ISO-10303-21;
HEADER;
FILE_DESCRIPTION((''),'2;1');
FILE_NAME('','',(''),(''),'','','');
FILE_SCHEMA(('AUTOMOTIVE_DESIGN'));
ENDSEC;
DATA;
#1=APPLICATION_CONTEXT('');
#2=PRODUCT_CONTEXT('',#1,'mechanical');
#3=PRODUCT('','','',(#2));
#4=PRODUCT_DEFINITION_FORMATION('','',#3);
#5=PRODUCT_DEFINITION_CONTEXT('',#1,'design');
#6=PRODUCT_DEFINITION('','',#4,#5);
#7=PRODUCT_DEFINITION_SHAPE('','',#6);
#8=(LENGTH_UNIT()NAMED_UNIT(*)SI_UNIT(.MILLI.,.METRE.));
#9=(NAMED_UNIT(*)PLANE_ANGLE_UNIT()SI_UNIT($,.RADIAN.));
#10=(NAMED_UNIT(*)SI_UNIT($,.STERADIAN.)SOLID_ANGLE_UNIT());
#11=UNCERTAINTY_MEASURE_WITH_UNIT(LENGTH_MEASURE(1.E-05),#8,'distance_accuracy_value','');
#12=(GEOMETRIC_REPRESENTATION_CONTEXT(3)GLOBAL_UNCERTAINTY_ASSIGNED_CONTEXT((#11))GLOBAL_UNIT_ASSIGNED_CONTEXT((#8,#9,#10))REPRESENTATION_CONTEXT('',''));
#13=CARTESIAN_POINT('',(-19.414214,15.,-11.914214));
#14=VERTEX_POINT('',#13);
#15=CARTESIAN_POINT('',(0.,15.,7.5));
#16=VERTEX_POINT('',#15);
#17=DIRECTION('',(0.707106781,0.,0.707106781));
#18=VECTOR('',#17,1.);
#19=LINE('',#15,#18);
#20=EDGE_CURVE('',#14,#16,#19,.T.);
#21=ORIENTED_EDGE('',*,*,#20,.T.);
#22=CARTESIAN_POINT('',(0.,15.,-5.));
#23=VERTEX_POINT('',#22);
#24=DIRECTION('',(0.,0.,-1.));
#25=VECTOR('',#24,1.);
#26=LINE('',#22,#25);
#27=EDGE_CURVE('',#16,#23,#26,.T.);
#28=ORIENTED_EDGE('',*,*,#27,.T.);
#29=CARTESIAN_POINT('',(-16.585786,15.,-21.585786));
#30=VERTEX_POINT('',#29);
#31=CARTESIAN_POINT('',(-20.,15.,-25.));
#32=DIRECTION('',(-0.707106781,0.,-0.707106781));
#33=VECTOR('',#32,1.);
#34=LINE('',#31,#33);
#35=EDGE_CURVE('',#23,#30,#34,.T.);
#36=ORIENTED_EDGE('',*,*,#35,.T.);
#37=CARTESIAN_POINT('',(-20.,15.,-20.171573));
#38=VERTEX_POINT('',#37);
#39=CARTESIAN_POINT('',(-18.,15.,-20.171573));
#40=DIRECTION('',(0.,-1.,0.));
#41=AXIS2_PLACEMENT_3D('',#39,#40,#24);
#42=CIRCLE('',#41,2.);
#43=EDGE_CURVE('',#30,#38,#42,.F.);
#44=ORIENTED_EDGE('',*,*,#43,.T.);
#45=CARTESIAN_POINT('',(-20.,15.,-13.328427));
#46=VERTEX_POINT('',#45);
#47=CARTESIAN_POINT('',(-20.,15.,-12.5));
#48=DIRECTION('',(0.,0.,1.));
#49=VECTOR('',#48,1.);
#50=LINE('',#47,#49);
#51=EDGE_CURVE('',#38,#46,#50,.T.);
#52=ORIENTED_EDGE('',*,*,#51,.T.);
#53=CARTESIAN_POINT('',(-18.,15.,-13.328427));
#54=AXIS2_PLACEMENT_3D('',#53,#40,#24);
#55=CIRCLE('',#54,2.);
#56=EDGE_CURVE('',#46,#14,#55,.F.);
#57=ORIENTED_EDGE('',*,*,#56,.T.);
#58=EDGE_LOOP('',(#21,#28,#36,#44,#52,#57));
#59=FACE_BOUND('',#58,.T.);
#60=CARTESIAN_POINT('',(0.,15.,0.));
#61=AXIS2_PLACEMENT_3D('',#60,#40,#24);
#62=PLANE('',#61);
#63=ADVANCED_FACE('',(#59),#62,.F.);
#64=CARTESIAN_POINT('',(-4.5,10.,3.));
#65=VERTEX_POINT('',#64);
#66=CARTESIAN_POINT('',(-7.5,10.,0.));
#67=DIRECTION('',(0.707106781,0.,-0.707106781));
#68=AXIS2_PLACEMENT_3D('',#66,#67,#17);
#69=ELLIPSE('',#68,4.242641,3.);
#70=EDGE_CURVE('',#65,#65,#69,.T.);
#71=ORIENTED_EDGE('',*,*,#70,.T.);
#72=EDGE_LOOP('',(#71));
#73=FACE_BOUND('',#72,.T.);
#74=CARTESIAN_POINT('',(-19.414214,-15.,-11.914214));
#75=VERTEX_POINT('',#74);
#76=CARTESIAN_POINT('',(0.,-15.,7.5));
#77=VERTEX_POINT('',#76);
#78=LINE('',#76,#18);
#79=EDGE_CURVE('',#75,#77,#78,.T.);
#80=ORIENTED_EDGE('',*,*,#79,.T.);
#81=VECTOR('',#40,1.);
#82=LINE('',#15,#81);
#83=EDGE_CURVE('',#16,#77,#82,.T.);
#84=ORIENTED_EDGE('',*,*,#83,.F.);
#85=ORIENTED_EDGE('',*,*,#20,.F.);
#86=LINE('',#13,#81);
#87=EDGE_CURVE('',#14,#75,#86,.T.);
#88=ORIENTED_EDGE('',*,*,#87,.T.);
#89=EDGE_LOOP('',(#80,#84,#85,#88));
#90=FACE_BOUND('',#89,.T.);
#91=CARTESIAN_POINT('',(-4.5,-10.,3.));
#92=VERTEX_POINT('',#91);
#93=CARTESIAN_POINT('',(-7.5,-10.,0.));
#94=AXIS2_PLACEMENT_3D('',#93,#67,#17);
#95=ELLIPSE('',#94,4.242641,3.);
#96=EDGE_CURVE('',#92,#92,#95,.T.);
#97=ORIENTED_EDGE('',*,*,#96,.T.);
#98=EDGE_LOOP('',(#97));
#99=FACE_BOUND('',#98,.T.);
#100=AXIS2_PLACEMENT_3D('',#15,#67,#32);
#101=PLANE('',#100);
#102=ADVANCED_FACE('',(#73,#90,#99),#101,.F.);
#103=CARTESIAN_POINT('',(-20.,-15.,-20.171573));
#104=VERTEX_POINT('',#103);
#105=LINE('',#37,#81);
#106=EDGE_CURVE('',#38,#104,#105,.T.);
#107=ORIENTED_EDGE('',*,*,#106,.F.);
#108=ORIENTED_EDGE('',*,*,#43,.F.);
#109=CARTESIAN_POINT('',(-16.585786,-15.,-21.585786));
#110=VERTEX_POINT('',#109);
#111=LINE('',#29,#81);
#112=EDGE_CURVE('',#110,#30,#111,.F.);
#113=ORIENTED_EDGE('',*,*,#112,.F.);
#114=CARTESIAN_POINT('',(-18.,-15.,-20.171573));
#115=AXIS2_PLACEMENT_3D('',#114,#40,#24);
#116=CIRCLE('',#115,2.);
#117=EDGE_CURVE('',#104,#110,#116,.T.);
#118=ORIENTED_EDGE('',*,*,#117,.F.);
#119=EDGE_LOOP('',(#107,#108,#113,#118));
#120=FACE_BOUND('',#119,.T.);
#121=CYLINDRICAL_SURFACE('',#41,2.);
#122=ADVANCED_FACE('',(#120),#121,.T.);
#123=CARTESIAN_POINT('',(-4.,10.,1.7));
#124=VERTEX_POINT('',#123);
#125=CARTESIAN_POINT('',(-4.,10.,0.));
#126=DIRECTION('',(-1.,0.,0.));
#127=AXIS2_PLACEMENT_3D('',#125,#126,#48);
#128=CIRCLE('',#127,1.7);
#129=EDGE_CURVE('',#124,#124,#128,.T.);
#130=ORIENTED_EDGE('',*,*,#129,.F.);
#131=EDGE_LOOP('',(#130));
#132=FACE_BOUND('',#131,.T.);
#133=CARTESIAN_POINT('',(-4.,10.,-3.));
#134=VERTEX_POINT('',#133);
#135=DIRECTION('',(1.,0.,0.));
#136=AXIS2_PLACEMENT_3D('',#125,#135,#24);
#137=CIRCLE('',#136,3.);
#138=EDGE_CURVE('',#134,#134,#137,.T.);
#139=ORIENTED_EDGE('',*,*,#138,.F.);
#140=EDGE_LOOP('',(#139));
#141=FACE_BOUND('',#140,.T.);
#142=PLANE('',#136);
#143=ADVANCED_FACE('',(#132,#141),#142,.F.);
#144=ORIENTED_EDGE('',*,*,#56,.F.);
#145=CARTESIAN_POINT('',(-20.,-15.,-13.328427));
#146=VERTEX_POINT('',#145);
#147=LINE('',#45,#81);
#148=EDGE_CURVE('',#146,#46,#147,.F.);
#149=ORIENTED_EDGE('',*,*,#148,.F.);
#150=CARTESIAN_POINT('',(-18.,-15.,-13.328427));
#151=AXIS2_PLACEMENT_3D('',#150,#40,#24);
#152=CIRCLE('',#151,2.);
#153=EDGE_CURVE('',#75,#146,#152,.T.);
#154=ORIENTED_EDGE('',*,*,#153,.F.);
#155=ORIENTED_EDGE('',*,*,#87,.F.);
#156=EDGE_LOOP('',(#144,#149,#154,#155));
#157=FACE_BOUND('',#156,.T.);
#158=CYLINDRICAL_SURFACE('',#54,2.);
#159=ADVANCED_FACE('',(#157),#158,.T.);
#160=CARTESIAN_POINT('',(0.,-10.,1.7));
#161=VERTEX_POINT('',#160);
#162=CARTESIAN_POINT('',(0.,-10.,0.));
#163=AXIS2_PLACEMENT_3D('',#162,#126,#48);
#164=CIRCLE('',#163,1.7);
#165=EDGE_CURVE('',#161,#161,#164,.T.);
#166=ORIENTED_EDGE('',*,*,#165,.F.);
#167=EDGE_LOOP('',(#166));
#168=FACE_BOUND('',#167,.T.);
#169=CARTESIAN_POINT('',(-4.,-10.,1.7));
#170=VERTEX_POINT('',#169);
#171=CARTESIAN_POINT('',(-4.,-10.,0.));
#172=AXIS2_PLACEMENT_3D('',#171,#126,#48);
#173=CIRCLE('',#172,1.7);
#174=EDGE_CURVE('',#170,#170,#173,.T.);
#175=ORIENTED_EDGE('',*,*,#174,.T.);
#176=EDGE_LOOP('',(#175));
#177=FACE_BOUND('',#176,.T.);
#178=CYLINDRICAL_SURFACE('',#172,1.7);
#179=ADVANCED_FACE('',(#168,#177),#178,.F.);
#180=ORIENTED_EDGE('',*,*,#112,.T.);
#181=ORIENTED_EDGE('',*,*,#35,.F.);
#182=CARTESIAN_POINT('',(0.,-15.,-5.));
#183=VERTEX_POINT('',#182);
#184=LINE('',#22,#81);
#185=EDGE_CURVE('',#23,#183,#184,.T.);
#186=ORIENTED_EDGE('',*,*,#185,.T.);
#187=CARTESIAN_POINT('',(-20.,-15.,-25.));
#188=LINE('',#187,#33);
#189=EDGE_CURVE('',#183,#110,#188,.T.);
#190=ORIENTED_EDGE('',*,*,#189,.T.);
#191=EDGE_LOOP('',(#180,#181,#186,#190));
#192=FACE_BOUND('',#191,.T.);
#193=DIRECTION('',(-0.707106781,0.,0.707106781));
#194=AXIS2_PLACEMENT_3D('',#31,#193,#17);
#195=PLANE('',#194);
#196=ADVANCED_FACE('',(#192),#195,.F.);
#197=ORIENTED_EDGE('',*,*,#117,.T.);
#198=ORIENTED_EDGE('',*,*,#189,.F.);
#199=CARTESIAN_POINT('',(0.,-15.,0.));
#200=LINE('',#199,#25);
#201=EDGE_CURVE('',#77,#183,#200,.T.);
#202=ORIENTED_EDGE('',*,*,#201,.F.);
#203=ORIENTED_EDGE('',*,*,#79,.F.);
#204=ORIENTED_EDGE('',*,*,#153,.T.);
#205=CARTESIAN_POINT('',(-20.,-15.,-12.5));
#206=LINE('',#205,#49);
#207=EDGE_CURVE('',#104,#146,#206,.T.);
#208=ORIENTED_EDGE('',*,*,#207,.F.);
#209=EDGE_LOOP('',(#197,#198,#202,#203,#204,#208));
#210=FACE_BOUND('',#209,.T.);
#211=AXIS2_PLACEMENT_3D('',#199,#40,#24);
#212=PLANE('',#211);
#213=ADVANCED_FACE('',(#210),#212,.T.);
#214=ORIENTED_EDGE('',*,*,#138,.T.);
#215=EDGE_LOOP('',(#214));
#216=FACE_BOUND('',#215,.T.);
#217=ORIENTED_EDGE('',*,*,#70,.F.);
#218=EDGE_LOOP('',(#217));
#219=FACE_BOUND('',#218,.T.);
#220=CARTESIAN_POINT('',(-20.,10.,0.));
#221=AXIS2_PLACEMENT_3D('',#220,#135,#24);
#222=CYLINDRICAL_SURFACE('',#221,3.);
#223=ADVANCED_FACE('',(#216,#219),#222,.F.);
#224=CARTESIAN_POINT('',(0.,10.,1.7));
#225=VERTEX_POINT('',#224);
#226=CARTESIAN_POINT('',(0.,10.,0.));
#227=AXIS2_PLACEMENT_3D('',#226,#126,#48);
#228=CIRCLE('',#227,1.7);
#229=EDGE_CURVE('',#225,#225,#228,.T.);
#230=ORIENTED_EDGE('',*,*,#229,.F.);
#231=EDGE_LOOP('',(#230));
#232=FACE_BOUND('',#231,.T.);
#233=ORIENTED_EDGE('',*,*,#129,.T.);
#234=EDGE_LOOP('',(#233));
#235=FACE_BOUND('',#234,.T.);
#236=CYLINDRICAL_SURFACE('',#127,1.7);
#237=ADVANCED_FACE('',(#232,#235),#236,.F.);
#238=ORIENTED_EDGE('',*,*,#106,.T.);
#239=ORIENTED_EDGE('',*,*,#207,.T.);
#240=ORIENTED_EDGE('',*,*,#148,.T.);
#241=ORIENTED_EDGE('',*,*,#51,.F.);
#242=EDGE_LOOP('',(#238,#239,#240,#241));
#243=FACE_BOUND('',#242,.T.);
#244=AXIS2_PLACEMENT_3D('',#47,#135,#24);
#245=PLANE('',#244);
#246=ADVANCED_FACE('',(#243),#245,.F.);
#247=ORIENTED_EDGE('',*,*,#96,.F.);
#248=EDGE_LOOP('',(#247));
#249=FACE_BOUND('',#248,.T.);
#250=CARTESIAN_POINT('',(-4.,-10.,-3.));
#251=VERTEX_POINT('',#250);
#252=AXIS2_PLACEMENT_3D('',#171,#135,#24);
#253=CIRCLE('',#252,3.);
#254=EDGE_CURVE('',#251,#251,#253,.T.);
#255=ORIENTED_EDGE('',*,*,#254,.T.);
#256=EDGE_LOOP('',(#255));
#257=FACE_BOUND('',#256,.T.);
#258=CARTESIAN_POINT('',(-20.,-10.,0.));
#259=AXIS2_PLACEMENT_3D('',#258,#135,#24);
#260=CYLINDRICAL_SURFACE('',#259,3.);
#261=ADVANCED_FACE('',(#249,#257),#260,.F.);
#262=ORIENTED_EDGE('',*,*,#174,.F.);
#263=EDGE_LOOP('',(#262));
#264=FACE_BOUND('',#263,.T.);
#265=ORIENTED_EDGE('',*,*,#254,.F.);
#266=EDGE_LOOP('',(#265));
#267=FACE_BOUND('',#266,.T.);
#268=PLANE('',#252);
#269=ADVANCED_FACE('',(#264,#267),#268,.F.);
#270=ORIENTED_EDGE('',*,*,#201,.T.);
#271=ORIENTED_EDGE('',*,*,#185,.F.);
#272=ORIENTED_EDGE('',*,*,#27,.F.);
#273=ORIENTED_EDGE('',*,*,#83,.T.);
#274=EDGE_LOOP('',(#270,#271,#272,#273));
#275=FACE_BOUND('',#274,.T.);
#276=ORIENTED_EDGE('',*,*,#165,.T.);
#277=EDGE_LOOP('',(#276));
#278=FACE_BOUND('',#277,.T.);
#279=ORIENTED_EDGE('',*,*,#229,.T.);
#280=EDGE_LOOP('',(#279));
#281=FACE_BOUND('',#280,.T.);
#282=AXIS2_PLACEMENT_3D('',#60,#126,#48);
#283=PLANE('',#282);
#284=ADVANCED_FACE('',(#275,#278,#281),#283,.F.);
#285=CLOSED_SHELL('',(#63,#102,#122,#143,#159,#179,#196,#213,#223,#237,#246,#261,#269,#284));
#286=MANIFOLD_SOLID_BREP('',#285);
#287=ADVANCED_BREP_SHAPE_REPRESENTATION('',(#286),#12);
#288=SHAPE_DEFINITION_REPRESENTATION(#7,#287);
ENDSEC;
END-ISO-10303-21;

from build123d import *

# Parameters (mm, degrees)
BOSS_EXTRUDE1_DEPTH  = 15
CUT_EXTRUDE1_START   = -4
SKETCH2_R            = 3
CUT_EXTRUDE1_DEPTH   = 17
M3_CLEARANCE_HOLE1_D = 3.4
FILLET2_R            = 2


with BuildPart() as part:
    # Sketch1 → Boss-Extrude1 (new body, symmetric)
    with BuildSketch(Plane(origin=(0, 0, 0), x_dir=(1, 0, 0), z_dir=(0, 1, 0))):
        Polygon((0, 0), (0, -7.5), (-20, 12.5), (-20, 25), (0, 5), align=None)
    extrude(amount=BOSS_EXTRUDE1_DEPTH, both=True)

    # Sketch2 → Cut-Extrude1 (cut, through all)
    with BuildSketch(Plane(origin=(0, 0, 0), x_dir=(0, 0, -1), z_dir=(1, 0, 0)).offset(CUT_EXTRUDE1_START)):
        with Locations((0, 10)):
            Circle(SKETCH2_R)
        with Locations((0, -10)):
            Circle(SKETCH2_R)
    extrude(amount=-CUT_EXTRUDE1_DEPTH, mode=Mode.SUBTRACT)

    # M3 Clearance Hole1 (through all)
    with Locations(Plane.ZY.offset(4)):
        with Locations((0, 10), (0, -10)):
            Hole(M3_CLEARANCE_HOLE1_D / 2)

    # Fillet2
    fillet2_edges = [part.edges().sort_by_distance(p)[0] for p in [
        (-20, 0, -12.5),
        (-20, 0, -25),
    ]]
    fillet(fillet2_edges, radius=FILLET2_R)


solid = part.part
